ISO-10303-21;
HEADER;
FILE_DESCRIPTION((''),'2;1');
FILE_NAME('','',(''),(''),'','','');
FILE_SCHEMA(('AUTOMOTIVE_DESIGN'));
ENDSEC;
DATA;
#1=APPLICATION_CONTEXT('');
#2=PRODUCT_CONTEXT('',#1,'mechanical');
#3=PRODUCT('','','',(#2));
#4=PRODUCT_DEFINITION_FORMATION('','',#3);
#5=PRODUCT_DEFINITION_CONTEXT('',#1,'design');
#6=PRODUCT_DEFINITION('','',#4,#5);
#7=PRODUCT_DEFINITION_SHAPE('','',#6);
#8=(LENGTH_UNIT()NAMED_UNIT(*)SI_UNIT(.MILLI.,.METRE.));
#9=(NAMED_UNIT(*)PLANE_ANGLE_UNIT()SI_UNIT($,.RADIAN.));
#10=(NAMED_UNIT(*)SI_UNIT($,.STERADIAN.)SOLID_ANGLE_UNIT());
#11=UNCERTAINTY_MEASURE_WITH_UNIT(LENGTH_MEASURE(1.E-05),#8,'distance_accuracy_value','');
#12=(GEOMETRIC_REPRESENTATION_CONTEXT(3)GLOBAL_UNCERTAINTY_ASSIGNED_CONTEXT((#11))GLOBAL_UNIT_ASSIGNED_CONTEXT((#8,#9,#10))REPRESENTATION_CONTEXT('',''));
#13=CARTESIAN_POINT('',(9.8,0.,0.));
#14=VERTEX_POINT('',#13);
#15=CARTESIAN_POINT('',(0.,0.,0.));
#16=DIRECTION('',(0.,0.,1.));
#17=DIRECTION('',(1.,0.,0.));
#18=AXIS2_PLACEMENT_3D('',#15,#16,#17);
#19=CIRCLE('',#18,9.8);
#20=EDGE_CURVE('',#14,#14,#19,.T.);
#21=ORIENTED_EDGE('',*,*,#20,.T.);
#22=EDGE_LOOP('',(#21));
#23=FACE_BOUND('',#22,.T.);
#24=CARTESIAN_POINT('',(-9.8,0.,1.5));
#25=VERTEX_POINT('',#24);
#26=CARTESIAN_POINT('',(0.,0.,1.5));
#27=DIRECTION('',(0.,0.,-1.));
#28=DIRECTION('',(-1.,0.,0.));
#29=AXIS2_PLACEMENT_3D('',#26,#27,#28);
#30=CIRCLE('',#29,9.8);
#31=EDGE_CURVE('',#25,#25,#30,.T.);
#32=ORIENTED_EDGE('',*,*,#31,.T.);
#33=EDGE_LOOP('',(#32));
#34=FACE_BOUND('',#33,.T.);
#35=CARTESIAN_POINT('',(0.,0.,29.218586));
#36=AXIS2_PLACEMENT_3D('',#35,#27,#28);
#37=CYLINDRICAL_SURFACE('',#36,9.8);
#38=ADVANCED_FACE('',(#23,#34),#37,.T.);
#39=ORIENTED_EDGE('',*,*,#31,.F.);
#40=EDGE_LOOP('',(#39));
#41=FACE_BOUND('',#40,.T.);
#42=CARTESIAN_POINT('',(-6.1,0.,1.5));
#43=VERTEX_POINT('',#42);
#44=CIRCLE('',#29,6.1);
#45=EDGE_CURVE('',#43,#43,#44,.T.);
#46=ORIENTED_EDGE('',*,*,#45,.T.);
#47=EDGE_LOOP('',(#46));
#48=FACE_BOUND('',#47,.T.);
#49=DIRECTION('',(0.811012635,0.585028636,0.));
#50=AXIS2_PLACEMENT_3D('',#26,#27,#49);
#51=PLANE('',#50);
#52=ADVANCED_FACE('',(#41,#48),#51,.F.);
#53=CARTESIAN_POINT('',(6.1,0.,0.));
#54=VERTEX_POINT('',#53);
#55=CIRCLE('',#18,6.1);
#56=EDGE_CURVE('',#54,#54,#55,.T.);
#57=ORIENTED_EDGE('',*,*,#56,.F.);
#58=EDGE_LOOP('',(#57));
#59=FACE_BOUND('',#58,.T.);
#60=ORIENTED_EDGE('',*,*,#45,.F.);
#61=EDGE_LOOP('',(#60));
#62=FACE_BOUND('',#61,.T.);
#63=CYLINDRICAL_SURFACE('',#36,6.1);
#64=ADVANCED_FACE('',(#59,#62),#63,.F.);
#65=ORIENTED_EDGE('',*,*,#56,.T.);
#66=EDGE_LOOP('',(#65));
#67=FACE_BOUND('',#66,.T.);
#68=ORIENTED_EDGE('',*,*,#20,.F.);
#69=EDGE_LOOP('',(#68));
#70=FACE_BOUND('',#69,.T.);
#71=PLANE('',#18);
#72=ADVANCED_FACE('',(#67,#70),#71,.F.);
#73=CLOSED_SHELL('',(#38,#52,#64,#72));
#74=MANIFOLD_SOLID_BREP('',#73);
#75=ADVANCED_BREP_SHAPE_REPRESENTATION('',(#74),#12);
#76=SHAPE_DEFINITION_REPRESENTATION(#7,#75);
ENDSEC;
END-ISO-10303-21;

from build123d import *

# Parameters (mm, degrees)
ESQUISSE1_R      = 9.8
ESQUISSE1_R_2    = 6.1
EXTRUSION1_DEPTH = 1.5


with BuildPart() as part:
    # Esquisse1 → Extrusion1 (new body)
    with BuildSketch(Plane.XY):
        with Locations(Location((0, 0, 0), (0, 0, 180))):
            Circle(ESQUISSE1_R)
        with Locations(Location((0, 0, 0), (0, 0, 180))):
            Circle(ESQUISSE1_R_2, mode=Mode.SUBTRACT)
    extrude(amount=EXTRUSION1_DEPTH)


solid = part.part
